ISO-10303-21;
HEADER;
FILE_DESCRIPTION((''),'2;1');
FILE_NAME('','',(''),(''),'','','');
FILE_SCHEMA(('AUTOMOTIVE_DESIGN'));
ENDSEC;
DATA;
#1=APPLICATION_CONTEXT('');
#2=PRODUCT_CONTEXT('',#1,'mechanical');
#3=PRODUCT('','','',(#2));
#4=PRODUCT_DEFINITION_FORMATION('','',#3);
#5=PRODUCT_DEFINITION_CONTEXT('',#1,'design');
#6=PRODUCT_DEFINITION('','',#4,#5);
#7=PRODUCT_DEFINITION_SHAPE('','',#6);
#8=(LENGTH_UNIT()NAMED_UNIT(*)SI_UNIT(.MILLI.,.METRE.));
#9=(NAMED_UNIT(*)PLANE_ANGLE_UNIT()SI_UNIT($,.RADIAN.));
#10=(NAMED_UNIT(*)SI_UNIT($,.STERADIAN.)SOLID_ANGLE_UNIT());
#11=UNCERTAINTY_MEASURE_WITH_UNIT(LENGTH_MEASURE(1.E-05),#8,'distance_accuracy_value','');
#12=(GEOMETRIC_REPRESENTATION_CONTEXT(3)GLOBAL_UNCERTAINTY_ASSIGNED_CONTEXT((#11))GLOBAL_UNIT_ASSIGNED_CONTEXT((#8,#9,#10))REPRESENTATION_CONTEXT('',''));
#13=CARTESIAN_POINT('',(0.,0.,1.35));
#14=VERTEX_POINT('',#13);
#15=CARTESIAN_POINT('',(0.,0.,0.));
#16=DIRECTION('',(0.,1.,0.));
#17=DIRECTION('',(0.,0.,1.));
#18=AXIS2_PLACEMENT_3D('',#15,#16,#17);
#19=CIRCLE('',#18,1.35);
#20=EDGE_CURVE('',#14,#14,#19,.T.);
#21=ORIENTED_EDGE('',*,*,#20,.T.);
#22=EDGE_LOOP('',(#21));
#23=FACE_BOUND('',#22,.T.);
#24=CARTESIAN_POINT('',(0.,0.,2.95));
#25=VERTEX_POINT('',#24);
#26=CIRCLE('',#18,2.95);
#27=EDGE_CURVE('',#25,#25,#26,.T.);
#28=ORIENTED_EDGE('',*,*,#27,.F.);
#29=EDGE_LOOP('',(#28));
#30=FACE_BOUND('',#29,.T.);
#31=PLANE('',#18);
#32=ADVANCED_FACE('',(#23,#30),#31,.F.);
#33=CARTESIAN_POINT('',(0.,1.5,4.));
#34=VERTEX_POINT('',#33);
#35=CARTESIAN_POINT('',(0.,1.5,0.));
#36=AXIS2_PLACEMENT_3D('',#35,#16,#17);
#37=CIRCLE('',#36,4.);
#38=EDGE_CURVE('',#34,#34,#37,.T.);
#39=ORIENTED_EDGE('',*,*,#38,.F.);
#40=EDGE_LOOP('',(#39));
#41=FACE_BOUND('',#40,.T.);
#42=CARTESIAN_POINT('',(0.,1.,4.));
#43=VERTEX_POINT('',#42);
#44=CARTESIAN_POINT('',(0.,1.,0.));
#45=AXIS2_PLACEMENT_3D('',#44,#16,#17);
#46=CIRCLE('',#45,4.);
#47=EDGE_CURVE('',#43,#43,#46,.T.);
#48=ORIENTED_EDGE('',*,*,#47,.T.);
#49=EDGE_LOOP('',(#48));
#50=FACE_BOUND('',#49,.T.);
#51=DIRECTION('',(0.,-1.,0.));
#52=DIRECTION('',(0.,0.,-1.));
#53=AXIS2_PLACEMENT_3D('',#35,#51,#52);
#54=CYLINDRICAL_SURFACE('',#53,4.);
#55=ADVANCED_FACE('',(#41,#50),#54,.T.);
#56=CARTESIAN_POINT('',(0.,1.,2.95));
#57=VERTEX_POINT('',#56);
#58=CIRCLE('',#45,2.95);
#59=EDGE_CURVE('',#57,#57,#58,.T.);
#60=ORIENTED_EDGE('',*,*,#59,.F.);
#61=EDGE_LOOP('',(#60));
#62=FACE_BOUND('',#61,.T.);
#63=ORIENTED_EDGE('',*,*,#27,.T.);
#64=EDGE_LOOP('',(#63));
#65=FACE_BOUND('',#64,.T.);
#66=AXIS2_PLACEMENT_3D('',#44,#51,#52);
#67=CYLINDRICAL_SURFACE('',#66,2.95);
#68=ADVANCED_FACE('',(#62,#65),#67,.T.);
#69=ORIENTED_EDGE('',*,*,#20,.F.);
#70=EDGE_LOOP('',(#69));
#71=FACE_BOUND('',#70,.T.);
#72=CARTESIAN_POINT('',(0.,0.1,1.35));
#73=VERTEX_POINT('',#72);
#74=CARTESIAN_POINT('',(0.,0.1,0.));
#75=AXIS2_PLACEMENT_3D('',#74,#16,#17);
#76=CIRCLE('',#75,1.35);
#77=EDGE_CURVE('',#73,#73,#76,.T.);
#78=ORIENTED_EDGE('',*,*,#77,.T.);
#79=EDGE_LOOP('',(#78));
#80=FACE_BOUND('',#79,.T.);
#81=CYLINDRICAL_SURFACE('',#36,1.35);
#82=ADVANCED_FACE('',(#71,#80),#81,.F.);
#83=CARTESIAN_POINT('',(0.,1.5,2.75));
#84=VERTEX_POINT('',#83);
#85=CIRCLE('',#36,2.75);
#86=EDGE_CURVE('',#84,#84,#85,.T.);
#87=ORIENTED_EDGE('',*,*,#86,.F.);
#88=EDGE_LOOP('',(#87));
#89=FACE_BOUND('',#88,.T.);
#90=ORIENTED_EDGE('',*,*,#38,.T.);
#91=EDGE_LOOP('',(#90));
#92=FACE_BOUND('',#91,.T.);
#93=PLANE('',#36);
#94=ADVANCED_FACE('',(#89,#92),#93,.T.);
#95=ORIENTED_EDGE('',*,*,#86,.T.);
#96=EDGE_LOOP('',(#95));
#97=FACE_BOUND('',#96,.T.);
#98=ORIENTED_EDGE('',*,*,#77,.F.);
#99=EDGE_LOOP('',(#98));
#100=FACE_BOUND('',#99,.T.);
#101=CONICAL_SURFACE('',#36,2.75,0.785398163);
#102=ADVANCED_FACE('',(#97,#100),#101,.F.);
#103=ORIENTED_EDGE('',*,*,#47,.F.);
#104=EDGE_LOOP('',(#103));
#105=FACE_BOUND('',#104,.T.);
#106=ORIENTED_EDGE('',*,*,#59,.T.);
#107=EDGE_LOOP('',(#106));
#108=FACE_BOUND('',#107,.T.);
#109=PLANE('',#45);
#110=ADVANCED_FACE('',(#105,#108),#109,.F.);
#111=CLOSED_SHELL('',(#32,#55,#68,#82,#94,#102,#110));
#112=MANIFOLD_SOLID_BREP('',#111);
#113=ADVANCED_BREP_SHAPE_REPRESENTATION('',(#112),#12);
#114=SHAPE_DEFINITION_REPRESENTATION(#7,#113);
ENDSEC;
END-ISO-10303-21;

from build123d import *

# Parameters (mm, degrees)
SKETCH1_R           = 2.95
BOSS_EXTRUDE1_DEPTH = 1
SKETCH2_R           = 4
BOSS_EXTRUDE2_DEPTH = 0.5


with BuildPart() as part:
    # Sketch1 → Boss-Extrude1 (new body)
    with BuildSketch(Plane(origin=(0, 0, 0), x_dir=(1, 0, 0), z_dir=(0, 1, 0))):
        Circle(SKETCH1_R)
    extrude(amount=BOSS_EXTRUDE1_DEPTH)

    # Sketch2 → Boss-Extrude2 (add)
    with BuildSketch(Plane(origin=(0, 1, 0), x_dir=(1, 0, 0), z_dir=(0, 1, 0))):
        Circle(SKETCH2_R)
    extrude(amount=BOSS_EXTRUDE2_DEPTH)

    # Sketch3 → CSK for M2.5 Flat Head Machine Screw1 (revolve, cut)
    with BuildSketch(Plane(origin=(0, 1.5, 0), x_dir=(0, 0, 1), z_dir=(1, 0, 0))):
        Polygon((0, 0), (0, 2.311161836), (1.35, 1.5), (1.35, 1.4), (2.75, 0), align=None)
    revolve(axis=Axis((0, 7.85, 0), (0, -1, 0)), mode=Mode.SUBTRACT)


solid = part.part
